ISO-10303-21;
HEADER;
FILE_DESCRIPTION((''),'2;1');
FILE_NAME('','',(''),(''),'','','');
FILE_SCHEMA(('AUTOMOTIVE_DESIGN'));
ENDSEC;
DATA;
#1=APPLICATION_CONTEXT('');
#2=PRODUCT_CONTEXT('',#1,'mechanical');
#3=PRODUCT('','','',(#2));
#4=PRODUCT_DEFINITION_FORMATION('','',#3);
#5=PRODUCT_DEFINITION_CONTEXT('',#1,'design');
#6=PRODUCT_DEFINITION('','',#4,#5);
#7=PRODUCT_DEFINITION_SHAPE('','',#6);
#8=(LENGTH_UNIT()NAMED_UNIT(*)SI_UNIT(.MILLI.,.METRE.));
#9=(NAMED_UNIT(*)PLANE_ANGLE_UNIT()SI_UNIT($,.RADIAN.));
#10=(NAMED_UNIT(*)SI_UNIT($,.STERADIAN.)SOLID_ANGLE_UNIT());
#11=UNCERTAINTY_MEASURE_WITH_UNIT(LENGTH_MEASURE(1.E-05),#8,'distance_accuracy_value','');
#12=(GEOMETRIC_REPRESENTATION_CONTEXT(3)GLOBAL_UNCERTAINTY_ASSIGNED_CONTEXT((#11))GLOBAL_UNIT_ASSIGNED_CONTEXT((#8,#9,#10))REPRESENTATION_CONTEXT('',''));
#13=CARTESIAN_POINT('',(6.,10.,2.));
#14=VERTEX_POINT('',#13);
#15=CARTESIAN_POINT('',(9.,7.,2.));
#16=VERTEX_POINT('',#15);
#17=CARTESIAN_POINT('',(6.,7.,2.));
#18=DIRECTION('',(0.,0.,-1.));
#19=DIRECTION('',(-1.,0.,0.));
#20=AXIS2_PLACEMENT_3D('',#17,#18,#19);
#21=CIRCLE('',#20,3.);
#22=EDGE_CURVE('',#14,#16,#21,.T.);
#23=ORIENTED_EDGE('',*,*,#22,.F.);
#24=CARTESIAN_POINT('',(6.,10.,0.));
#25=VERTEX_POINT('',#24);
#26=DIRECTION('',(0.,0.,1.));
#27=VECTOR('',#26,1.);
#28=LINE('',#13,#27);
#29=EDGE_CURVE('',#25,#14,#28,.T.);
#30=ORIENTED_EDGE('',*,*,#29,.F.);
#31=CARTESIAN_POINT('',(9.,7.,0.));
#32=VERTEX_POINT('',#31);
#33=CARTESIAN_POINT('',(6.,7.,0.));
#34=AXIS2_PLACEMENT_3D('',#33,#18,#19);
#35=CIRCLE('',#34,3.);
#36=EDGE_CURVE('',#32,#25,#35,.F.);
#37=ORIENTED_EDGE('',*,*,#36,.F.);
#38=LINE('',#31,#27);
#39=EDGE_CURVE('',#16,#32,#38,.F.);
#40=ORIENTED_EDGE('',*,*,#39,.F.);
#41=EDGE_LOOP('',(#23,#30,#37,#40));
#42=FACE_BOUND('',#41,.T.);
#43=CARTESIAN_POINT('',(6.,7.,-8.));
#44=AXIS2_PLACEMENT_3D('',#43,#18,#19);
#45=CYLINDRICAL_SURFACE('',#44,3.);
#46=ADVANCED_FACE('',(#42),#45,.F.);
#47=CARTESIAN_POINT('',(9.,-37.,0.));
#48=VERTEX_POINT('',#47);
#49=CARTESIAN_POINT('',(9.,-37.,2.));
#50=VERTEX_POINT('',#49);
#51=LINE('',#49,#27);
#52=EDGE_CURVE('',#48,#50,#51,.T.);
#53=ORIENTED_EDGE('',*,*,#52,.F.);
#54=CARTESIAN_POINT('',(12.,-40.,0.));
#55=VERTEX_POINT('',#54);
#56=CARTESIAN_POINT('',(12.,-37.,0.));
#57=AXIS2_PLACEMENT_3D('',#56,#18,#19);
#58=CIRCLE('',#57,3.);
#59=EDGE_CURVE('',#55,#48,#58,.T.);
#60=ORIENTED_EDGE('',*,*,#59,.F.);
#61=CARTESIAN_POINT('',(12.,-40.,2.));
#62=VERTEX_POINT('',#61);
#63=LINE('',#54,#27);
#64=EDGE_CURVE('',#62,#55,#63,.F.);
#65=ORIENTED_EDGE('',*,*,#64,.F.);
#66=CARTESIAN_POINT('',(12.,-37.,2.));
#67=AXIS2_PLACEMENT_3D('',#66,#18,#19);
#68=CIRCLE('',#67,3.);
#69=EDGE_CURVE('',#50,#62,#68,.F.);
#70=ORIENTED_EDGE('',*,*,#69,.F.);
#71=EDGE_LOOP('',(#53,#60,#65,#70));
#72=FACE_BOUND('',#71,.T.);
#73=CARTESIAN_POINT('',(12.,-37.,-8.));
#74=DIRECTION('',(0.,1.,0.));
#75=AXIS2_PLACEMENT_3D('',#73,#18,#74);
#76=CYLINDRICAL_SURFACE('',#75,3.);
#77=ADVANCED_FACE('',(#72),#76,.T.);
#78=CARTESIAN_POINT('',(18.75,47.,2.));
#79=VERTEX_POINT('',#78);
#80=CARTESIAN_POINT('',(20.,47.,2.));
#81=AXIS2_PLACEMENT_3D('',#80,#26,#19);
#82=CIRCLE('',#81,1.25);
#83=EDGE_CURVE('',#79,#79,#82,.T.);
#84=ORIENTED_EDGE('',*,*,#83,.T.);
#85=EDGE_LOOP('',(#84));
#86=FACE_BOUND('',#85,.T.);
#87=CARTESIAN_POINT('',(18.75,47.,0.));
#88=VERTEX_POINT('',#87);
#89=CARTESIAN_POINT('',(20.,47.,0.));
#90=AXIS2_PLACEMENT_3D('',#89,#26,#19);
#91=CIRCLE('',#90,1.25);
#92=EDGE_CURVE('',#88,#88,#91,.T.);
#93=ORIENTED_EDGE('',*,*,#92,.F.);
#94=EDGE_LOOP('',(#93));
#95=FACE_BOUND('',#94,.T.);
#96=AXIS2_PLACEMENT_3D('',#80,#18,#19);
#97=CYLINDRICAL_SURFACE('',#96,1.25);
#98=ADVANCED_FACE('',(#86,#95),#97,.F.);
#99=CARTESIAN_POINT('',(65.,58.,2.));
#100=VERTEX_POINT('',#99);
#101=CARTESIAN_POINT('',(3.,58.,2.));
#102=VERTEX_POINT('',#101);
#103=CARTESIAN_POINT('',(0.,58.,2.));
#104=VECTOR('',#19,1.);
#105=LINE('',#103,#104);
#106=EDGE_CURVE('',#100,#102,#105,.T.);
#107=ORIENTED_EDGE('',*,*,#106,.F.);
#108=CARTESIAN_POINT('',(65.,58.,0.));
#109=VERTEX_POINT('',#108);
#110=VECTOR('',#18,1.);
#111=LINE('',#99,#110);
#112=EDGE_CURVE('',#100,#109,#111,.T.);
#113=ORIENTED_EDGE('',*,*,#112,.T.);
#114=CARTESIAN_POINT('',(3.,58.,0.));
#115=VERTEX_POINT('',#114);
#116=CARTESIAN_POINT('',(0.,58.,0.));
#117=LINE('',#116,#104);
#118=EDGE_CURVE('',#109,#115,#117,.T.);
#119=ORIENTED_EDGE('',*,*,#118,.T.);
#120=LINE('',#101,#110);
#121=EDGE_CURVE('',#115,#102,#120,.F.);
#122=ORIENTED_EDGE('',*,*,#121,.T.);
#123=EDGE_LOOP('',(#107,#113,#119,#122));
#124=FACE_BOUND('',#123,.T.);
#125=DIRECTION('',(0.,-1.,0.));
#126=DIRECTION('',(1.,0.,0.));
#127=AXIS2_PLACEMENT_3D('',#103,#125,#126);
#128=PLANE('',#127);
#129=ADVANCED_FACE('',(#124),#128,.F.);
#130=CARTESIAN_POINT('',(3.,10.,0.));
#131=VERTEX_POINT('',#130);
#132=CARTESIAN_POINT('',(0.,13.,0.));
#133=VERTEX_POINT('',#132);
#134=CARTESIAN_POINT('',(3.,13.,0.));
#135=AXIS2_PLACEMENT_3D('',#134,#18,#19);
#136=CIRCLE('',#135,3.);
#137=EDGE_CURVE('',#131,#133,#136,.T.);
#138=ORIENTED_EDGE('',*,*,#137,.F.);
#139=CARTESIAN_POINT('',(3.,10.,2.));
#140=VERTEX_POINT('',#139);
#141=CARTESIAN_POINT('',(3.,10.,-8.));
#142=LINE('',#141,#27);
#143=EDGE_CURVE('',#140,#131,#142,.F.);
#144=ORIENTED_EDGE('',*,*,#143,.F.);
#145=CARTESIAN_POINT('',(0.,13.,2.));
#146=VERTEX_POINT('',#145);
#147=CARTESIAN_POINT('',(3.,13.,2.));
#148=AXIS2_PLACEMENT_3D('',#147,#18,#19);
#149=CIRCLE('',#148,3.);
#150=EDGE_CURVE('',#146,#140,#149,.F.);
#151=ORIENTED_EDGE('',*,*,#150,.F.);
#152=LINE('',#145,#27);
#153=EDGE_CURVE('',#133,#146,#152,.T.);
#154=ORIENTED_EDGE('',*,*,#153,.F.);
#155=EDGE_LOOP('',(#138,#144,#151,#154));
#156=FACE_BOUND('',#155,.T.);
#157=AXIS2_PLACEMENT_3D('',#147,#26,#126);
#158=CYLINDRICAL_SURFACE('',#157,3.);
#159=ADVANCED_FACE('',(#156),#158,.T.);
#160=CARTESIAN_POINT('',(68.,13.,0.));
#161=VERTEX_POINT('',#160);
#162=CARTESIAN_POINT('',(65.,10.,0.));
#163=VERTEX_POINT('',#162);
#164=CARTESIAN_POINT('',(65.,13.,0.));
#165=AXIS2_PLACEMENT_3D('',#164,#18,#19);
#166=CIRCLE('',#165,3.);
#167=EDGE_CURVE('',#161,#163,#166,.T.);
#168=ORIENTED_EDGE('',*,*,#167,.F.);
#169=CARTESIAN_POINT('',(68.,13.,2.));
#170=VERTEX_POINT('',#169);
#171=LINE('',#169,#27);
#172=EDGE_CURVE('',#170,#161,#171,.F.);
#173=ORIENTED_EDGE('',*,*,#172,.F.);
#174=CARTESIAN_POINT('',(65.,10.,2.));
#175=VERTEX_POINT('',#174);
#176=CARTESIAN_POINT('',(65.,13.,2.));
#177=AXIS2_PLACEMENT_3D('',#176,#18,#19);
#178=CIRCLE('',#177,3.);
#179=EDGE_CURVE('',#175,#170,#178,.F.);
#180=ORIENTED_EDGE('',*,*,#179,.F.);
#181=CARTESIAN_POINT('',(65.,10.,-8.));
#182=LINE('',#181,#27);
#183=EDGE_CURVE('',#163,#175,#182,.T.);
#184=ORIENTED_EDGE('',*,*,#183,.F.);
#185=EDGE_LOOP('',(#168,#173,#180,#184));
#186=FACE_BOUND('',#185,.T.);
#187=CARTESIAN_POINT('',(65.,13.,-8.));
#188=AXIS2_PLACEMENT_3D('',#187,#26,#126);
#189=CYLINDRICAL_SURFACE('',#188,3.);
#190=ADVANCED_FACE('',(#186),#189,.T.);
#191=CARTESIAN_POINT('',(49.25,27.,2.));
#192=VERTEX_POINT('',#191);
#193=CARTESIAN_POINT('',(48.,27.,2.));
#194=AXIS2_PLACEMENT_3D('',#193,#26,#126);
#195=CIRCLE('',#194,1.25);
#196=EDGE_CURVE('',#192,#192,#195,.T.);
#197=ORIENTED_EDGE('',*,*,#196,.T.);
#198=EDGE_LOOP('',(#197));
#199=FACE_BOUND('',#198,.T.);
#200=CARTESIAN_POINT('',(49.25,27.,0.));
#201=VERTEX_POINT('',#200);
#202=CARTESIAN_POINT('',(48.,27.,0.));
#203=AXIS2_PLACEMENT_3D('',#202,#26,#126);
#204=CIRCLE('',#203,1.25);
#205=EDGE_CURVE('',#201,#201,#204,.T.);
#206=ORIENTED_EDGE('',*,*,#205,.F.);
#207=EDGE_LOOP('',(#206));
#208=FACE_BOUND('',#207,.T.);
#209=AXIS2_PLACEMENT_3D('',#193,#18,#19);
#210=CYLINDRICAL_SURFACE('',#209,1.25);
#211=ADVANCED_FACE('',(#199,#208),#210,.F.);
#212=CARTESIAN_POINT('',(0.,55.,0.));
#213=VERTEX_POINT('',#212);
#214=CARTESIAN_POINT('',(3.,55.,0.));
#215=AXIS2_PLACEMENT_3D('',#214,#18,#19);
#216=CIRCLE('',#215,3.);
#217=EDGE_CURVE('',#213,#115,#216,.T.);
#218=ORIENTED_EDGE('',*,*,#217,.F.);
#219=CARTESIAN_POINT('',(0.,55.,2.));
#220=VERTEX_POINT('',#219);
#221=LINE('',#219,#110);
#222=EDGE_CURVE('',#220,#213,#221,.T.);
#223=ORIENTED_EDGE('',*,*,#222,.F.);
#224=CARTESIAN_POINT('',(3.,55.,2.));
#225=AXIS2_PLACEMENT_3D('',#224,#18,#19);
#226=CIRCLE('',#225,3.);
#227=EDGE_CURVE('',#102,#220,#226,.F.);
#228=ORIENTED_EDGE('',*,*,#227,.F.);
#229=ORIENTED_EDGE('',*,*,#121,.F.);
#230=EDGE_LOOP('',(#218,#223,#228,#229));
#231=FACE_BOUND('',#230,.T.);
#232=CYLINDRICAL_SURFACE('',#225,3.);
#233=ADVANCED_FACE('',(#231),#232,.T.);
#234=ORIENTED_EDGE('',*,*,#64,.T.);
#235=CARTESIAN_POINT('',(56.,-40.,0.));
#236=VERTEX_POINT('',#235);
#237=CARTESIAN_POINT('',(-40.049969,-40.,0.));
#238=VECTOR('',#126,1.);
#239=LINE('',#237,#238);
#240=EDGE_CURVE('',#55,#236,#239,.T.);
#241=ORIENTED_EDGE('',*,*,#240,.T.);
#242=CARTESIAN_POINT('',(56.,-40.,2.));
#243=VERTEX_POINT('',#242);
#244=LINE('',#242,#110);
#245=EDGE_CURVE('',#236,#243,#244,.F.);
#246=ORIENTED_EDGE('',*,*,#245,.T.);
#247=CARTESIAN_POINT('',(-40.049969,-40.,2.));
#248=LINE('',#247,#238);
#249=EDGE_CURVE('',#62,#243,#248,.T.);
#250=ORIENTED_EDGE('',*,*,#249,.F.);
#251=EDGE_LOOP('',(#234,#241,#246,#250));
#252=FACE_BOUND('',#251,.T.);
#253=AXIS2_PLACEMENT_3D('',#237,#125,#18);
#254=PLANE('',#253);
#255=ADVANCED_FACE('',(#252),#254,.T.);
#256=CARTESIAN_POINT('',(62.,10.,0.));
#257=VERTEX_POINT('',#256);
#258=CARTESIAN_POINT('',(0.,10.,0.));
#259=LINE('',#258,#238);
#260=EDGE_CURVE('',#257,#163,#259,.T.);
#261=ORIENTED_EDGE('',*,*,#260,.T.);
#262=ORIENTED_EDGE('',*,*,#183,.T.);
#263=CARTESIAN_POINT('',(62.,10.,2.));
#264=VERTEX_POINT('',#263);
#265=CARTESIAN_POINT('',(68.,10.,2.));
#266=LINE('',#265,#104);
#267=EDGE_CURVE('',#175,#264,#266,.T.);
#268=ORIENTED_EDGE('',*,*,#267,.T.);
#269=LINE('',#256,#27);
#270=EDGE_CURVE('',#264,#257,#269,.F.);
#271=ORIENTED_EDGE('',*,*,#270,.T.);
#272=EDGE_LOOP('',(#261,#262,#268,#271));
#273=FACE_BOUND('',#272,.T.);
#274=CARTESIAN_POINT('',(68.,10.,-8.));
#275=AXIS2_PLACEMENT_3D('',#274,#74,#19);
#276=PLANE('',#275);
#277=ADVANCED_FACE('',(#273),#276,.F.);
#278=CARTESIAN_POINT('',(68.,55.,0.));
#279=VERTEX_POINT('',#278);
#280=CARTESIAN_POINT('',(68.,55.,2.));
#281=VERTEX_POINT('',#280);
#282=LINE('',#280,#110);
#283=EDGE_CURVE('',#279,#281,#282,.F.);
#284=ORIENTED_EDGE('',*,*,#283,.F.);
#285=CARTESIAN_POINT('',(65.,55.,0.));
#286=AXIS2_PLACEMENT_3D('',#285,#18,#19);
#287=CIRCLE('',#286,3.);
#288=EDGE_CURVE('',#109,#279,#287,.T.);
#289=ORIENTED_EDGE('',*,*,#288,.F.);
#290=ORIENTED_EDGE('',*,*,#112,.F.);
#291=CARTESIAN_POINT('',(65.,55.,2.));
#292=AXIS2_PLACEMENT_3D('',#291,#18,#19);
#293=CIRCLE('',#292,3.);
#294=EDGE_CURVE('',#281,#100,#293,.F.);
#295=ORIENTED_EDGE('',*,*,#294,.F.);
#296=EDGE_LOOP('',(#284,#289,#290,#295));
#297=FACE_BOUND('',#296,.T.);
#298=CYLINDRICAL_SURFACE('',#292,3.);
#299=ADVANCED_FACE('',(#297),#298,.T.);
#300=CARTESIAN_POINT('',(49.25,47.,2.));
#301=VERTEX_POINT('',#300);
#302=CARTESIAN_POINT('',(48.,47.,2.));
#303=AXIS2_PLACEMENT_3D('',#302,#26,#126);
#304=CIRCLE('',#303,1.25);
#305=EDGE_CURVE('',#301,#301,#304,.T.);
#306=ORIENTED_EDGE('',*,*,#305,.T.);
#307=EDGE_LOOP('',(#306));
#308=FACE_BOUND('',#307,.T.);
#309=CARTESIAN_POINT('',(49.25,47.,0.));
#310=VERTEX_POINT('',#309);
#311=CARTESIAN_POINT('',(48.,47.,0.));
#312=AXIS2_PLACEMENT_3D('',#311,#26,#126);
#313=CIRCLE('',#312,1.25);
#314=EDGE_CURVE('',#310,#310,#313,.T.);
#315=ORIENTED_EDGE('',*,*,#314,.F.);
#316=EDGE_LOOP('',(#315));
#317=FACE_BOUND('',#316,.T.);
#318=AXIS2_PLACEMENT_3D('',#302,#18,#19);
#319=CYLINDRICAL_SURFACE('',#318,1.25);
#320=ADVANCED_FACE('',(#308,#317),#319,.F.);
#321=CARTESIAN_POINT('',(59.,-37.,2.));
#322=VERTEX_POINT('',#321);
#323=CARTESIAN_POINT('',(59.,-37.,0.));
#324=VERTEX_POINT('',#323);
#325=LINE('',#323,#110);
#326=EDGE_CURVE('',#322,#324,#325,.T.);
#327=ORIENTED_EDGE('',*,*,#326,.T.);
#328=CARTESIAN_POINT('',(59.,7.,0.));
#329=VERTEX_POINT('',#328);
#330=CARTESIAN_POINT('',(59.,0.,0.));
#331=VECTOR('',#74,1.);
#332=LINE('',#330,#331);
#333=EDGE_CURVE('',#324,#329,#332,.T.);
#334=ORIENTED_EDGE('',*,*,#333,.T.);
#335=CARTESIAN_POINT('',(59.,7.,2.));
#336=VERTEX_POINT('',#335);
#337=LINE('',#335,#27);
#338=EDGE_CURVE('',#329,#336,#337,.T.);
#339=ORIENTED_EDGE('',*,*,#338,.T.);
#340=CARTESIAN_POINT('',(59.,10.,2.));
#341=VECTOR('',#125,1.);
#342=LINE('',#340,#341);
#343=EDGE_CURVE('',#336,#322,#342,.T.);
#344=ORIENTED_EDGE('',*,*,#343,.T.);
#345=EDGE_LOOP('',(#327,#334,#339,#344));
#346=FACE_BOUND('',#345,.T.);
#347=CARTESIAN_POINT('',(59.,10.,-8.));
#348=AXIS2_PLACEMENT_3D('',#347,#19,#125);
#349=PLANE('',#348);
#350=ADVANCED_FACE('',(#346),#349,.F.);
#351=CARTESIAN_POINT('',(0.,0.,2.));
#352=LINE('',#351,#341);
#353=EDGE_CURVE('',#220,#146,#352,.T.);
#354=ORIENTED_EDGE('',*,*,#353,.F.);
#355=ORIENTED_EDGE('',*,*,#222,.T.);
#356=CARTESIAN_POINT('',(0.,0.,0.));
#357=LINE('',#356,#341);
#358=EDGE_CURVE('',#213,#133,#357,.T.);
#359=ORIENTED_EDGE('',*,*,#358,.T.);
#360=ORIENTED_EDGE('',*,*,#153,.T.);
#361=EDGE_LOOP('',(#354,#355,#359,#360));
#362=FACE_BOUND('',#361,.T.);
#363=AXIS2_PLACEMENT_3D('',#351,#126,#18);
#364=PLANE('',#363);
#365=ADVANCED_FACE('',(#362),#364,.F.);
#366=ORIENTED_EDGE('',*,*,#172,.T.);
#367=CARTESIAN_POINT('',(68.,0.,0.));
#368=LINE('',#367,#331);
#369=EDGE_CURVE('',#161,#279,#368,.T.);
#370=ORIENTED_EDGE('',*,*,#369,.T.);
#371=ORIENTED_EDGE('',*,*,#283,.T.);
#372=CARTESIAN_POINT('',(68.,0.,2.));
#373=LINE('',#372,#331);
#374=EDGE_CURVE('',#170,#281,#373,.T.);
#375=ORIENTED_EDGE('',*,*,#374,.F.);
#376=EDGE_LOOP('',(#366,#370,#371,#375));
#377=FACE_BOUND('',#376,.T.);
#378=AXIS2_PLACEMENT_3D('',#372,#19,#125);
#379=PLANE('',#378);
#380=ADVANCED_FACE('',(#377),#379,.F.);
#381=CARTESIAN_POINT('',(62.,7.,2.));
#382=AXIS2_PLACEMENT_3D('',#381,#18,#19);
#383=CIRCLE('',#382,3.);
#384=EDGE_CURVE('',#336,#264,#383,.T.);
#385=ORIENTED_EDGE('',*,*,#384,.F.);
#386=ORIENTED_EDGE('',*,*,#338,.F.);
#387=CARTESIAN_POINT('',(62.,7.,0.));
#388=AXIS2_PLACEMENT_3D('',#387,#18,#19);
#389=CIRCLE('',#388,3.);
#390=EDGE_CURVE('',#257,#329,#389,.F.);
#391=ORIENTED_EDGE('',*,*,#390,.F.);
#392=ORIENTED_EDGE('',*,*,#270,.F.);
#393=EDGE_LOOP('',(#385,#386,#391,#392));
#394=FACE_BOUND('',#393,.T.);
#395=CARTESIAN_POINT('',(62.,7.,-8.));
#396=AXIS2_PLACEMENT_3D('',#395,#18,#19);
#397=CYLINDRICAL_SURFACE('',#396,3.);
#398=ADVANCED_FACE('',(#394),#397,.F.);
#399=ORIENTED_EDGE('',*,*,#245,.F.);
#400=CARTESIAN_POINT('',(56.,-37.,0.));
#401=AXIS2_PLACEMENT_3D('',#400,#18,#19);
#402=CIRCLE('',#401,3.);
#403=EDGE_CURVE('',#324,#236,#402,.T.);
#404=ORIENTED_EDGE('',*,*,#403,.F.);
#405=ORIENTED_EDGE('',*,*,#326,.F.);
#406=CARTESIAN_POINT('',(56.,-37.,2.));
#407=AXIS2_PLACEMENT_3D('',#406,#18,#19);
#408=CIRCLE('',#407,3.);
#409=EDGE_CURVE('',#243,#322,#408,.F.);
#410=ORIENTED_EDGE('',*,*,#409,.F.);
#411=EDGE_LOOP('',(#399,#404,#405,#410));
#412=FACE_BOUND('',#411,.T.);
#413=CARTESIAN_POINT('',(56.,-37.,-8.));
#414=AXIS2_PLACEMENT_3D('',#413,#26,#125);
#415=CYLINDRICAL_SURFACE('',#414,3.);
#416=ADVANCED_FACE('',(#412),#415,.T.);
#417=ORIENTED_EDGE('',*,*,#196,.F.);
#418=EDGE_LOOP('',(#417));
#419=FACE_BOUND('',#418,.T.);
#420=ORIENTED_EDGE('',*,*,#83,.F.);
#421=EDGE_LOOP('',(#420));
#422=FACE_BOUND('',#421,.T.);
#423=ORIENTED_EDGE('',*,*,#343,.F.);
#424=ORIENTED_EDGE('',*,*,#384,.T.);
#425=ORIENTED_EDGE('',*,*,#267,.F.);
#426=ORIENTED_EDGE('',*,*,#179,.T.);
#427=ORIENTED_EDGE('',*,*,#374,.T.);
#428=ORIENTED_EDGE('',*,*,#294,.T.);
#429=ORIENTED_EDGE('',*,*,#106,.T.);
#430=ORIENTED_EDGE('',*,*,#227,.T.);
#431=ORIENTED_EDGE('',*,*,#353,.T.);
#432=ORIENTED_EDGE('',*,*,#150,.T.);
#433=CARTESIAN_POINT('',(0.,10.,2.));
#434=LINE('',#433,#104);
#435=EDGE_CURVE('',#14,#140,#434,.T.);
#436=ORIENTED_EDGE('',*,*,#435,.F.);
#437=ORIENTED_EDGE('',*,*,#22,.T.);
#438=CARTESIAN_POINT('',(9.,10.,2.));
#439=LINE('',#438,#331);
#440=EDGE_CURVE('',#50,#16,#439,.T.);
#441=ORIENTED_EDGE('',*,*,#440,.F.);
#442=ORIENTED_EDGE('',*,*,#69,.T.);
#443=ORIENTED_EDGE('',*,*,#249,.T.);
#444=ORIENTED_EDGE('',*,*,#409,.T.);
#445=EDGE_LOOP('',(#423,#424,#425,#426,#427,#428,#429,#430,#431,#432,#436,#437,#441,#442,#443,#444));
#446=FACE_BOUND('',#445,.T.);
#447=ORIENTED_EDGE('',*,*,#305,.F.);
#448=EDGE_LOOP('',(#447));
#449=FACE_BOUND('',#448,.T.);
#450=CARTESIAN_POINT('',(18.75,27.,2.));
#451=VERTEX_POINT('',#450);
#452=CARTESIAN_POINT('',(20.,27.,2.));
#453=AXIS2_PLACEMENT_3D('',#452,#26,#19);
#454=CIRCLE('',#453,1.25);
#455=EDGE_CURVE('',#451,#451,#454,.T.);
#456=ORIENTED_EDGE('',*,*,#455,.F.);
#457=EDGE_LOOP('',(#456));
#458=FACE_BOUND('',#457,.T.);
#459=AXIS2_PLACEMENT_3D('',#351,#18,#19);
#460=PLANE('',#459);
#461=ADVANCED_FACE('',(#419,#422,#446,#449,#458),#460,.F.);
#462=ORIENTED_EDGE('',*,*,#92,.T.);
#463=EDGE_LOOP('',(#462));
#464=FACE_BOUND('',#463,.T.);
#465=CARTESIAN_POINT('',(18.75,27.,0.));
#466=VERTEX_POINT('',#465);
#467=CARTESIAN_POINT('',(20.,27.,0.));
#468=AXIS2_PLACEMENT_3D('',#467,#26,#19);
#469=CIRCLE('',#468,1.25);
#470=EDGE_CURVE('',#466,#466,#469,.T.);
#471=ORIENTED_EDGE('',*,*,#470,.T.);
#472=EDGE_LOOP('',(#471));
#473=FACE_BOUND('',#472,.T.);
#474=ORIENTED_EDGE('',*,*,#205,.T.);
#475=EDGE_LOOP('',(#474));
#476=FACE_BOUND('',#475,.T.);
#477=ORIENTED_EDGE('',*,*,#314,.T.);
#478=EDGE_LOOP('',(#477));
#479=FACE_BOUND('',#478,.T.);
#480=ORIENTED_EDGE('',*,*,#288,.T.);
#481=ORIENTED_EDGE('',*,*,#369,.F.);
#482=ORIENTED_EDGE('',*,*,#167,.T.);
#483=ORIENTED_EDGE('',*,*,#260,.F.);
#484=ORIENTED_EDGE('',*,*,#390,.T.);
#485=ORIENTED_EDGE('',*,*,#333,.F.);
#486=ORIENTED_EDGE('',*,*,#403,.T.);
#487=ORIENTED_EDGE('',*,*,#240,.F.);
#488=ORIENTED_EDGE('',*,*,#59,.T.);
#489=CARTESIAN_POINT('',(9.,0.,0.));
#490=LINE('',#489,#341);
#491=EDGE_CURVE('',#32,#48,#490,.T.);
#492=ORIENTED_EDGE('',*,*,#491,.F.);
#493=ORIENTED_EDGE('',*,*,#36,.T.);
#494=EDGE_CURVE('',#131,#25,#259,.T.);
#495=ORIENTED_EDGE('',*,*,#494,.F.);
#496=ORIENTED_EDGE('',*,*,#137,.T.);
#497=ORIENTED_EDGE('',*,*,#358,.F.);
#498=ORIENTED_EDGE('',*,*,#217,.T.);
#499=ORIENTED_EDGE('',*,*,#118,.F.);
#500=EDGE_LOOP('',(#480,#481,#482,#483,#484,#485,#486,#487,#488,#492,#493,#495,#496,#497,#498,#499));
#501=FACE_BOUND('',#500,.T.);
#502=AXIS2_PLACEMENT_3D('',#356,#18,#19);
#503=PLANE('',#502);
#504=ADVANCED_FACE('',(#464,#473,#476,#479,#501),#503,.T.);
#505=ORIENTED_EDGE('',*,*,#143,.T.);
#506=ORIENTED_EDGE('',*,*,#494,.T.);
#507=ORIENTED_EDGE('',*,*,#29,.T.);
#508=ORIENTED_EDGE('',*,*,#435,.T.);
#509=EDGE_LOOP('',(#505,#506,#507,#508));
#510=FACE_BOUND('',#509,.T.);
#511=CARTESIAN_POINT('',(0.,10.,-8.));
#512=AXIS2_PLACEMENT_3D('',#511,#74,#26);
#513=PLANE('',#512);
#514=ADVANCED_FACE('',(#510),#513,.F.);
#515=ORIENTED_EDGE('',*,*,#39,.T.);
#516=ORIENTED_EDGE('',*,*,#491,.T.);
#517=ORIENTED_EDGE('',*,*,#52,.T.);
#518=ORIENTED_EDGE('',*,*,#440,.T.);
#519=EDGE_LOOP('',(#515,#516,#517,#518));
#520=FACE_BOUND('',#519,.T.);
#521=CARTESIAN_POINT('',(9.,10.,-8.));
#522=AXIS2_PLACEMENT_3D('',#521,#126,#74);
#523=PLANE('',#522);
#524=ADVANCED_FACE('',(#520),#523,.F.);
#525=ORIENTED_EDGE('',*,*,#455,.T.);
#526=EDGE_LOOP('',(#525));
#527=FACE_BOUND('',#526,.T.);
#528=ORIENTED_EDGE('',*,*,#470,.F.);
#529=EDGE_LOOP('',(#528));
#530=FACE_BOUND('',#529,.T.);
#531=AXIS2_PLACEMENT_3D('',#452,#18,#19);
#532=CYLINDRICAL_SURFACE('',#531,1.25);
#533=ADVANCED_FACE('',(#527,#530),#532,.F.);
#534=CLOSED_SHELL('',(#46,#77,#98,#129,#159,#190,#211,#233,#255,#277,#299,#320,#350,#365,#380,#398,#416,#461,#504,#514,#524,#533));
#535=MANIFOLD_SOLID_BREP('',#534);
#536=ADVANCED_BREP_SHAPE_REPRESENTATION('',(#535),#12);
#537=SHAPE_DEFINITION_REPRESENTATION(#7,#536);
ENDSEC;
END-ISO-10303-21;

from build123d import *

# Parameters (mm, degrees)
SKETCH_1_W          = 68
SKETCH_1_H          = 58
SKETCH_1_R          = 1.25
EXTRUDE_1_DEPTH     = 2
SKETCH_2_W          = 2
SKETCH_2_H          = 40
EXTRUDE_2_DEPTH     = 68
SKETCH_3_W          = 9
SKETCH_3_H          = 50
CUT_EXTRUDE_1_DEPTH = 10
FILLET_1_R          = 3


with BuildPart() as part:
    # 草图1 → 凸台-拉伸1 (new body)
    with BuildSketch(Plane.XY):
        with Locations((34, 29)):
            Rectangle(SKETCH_1_W, SKETCH_1_H)
        with Locations((48, 27)):
            Circle(SKETCH_1_R, mode=Mode.SUBTRACT)
        with Locations(Location((20, 27, 0), (0, 0, 180))):
            Circle(SKETCH_1_R, mode=Mode.SUBTRACT)
        with Locations((48, 47)):
            Circle(SKETCH_1_R, mode=Mode.SUBTRACT)
        with Locations(Location((20, 47, 0), (0, 0, 180))):
            Circle(SKETCH_1_R, mode=Mode.SUBTRACT)
    extrude(amount=EXTRUDE_1_DEPTH)

    # 草图2 → 凸台-拉伸2 (add)
    with BuildSketch(Plane(origin=(68, 0, 0), x_dir=(0, 0, -1), z_dir=(1, 0, 0))):
        with Locations((-1, -20)):
            Rectangle(SKETCH_2_W, SKETCH_2_H)
    extrude(amount=-EXTRUDE_2_DEPTH)

    # 草图3 → 切除-拉伸1 (cut)
    with BuildSketch(Plane.XY.offset(2)):
        with Locations((4.5, -15)):
            Rectangle(SKETCH_3_W, SKETCH_3_H)
        with Locations((63.5, -15)):
            Rectangle(SKETCH_3_W, SKETCH_3_H)
    extrude(amount=-CUT_EXTRUDE_1_DEPTH, mode=Mode.SUBTRACT)

    # 圆角1
    fillet_1_edges = [part.edges().sort_by_distance(p)[0] for p in [
        (59, -40, 1),
        (9, -40, 1),
        (0, 10, 1),
        (9, 10, 1),
        (68, 10, 1),
        (59, 10, 1),
        (0, 58, 1),
        (68, 58, 1),
    ]]
    fillet(fillet_1_edges, radius=FILLET_1_R)


solid = part.part
